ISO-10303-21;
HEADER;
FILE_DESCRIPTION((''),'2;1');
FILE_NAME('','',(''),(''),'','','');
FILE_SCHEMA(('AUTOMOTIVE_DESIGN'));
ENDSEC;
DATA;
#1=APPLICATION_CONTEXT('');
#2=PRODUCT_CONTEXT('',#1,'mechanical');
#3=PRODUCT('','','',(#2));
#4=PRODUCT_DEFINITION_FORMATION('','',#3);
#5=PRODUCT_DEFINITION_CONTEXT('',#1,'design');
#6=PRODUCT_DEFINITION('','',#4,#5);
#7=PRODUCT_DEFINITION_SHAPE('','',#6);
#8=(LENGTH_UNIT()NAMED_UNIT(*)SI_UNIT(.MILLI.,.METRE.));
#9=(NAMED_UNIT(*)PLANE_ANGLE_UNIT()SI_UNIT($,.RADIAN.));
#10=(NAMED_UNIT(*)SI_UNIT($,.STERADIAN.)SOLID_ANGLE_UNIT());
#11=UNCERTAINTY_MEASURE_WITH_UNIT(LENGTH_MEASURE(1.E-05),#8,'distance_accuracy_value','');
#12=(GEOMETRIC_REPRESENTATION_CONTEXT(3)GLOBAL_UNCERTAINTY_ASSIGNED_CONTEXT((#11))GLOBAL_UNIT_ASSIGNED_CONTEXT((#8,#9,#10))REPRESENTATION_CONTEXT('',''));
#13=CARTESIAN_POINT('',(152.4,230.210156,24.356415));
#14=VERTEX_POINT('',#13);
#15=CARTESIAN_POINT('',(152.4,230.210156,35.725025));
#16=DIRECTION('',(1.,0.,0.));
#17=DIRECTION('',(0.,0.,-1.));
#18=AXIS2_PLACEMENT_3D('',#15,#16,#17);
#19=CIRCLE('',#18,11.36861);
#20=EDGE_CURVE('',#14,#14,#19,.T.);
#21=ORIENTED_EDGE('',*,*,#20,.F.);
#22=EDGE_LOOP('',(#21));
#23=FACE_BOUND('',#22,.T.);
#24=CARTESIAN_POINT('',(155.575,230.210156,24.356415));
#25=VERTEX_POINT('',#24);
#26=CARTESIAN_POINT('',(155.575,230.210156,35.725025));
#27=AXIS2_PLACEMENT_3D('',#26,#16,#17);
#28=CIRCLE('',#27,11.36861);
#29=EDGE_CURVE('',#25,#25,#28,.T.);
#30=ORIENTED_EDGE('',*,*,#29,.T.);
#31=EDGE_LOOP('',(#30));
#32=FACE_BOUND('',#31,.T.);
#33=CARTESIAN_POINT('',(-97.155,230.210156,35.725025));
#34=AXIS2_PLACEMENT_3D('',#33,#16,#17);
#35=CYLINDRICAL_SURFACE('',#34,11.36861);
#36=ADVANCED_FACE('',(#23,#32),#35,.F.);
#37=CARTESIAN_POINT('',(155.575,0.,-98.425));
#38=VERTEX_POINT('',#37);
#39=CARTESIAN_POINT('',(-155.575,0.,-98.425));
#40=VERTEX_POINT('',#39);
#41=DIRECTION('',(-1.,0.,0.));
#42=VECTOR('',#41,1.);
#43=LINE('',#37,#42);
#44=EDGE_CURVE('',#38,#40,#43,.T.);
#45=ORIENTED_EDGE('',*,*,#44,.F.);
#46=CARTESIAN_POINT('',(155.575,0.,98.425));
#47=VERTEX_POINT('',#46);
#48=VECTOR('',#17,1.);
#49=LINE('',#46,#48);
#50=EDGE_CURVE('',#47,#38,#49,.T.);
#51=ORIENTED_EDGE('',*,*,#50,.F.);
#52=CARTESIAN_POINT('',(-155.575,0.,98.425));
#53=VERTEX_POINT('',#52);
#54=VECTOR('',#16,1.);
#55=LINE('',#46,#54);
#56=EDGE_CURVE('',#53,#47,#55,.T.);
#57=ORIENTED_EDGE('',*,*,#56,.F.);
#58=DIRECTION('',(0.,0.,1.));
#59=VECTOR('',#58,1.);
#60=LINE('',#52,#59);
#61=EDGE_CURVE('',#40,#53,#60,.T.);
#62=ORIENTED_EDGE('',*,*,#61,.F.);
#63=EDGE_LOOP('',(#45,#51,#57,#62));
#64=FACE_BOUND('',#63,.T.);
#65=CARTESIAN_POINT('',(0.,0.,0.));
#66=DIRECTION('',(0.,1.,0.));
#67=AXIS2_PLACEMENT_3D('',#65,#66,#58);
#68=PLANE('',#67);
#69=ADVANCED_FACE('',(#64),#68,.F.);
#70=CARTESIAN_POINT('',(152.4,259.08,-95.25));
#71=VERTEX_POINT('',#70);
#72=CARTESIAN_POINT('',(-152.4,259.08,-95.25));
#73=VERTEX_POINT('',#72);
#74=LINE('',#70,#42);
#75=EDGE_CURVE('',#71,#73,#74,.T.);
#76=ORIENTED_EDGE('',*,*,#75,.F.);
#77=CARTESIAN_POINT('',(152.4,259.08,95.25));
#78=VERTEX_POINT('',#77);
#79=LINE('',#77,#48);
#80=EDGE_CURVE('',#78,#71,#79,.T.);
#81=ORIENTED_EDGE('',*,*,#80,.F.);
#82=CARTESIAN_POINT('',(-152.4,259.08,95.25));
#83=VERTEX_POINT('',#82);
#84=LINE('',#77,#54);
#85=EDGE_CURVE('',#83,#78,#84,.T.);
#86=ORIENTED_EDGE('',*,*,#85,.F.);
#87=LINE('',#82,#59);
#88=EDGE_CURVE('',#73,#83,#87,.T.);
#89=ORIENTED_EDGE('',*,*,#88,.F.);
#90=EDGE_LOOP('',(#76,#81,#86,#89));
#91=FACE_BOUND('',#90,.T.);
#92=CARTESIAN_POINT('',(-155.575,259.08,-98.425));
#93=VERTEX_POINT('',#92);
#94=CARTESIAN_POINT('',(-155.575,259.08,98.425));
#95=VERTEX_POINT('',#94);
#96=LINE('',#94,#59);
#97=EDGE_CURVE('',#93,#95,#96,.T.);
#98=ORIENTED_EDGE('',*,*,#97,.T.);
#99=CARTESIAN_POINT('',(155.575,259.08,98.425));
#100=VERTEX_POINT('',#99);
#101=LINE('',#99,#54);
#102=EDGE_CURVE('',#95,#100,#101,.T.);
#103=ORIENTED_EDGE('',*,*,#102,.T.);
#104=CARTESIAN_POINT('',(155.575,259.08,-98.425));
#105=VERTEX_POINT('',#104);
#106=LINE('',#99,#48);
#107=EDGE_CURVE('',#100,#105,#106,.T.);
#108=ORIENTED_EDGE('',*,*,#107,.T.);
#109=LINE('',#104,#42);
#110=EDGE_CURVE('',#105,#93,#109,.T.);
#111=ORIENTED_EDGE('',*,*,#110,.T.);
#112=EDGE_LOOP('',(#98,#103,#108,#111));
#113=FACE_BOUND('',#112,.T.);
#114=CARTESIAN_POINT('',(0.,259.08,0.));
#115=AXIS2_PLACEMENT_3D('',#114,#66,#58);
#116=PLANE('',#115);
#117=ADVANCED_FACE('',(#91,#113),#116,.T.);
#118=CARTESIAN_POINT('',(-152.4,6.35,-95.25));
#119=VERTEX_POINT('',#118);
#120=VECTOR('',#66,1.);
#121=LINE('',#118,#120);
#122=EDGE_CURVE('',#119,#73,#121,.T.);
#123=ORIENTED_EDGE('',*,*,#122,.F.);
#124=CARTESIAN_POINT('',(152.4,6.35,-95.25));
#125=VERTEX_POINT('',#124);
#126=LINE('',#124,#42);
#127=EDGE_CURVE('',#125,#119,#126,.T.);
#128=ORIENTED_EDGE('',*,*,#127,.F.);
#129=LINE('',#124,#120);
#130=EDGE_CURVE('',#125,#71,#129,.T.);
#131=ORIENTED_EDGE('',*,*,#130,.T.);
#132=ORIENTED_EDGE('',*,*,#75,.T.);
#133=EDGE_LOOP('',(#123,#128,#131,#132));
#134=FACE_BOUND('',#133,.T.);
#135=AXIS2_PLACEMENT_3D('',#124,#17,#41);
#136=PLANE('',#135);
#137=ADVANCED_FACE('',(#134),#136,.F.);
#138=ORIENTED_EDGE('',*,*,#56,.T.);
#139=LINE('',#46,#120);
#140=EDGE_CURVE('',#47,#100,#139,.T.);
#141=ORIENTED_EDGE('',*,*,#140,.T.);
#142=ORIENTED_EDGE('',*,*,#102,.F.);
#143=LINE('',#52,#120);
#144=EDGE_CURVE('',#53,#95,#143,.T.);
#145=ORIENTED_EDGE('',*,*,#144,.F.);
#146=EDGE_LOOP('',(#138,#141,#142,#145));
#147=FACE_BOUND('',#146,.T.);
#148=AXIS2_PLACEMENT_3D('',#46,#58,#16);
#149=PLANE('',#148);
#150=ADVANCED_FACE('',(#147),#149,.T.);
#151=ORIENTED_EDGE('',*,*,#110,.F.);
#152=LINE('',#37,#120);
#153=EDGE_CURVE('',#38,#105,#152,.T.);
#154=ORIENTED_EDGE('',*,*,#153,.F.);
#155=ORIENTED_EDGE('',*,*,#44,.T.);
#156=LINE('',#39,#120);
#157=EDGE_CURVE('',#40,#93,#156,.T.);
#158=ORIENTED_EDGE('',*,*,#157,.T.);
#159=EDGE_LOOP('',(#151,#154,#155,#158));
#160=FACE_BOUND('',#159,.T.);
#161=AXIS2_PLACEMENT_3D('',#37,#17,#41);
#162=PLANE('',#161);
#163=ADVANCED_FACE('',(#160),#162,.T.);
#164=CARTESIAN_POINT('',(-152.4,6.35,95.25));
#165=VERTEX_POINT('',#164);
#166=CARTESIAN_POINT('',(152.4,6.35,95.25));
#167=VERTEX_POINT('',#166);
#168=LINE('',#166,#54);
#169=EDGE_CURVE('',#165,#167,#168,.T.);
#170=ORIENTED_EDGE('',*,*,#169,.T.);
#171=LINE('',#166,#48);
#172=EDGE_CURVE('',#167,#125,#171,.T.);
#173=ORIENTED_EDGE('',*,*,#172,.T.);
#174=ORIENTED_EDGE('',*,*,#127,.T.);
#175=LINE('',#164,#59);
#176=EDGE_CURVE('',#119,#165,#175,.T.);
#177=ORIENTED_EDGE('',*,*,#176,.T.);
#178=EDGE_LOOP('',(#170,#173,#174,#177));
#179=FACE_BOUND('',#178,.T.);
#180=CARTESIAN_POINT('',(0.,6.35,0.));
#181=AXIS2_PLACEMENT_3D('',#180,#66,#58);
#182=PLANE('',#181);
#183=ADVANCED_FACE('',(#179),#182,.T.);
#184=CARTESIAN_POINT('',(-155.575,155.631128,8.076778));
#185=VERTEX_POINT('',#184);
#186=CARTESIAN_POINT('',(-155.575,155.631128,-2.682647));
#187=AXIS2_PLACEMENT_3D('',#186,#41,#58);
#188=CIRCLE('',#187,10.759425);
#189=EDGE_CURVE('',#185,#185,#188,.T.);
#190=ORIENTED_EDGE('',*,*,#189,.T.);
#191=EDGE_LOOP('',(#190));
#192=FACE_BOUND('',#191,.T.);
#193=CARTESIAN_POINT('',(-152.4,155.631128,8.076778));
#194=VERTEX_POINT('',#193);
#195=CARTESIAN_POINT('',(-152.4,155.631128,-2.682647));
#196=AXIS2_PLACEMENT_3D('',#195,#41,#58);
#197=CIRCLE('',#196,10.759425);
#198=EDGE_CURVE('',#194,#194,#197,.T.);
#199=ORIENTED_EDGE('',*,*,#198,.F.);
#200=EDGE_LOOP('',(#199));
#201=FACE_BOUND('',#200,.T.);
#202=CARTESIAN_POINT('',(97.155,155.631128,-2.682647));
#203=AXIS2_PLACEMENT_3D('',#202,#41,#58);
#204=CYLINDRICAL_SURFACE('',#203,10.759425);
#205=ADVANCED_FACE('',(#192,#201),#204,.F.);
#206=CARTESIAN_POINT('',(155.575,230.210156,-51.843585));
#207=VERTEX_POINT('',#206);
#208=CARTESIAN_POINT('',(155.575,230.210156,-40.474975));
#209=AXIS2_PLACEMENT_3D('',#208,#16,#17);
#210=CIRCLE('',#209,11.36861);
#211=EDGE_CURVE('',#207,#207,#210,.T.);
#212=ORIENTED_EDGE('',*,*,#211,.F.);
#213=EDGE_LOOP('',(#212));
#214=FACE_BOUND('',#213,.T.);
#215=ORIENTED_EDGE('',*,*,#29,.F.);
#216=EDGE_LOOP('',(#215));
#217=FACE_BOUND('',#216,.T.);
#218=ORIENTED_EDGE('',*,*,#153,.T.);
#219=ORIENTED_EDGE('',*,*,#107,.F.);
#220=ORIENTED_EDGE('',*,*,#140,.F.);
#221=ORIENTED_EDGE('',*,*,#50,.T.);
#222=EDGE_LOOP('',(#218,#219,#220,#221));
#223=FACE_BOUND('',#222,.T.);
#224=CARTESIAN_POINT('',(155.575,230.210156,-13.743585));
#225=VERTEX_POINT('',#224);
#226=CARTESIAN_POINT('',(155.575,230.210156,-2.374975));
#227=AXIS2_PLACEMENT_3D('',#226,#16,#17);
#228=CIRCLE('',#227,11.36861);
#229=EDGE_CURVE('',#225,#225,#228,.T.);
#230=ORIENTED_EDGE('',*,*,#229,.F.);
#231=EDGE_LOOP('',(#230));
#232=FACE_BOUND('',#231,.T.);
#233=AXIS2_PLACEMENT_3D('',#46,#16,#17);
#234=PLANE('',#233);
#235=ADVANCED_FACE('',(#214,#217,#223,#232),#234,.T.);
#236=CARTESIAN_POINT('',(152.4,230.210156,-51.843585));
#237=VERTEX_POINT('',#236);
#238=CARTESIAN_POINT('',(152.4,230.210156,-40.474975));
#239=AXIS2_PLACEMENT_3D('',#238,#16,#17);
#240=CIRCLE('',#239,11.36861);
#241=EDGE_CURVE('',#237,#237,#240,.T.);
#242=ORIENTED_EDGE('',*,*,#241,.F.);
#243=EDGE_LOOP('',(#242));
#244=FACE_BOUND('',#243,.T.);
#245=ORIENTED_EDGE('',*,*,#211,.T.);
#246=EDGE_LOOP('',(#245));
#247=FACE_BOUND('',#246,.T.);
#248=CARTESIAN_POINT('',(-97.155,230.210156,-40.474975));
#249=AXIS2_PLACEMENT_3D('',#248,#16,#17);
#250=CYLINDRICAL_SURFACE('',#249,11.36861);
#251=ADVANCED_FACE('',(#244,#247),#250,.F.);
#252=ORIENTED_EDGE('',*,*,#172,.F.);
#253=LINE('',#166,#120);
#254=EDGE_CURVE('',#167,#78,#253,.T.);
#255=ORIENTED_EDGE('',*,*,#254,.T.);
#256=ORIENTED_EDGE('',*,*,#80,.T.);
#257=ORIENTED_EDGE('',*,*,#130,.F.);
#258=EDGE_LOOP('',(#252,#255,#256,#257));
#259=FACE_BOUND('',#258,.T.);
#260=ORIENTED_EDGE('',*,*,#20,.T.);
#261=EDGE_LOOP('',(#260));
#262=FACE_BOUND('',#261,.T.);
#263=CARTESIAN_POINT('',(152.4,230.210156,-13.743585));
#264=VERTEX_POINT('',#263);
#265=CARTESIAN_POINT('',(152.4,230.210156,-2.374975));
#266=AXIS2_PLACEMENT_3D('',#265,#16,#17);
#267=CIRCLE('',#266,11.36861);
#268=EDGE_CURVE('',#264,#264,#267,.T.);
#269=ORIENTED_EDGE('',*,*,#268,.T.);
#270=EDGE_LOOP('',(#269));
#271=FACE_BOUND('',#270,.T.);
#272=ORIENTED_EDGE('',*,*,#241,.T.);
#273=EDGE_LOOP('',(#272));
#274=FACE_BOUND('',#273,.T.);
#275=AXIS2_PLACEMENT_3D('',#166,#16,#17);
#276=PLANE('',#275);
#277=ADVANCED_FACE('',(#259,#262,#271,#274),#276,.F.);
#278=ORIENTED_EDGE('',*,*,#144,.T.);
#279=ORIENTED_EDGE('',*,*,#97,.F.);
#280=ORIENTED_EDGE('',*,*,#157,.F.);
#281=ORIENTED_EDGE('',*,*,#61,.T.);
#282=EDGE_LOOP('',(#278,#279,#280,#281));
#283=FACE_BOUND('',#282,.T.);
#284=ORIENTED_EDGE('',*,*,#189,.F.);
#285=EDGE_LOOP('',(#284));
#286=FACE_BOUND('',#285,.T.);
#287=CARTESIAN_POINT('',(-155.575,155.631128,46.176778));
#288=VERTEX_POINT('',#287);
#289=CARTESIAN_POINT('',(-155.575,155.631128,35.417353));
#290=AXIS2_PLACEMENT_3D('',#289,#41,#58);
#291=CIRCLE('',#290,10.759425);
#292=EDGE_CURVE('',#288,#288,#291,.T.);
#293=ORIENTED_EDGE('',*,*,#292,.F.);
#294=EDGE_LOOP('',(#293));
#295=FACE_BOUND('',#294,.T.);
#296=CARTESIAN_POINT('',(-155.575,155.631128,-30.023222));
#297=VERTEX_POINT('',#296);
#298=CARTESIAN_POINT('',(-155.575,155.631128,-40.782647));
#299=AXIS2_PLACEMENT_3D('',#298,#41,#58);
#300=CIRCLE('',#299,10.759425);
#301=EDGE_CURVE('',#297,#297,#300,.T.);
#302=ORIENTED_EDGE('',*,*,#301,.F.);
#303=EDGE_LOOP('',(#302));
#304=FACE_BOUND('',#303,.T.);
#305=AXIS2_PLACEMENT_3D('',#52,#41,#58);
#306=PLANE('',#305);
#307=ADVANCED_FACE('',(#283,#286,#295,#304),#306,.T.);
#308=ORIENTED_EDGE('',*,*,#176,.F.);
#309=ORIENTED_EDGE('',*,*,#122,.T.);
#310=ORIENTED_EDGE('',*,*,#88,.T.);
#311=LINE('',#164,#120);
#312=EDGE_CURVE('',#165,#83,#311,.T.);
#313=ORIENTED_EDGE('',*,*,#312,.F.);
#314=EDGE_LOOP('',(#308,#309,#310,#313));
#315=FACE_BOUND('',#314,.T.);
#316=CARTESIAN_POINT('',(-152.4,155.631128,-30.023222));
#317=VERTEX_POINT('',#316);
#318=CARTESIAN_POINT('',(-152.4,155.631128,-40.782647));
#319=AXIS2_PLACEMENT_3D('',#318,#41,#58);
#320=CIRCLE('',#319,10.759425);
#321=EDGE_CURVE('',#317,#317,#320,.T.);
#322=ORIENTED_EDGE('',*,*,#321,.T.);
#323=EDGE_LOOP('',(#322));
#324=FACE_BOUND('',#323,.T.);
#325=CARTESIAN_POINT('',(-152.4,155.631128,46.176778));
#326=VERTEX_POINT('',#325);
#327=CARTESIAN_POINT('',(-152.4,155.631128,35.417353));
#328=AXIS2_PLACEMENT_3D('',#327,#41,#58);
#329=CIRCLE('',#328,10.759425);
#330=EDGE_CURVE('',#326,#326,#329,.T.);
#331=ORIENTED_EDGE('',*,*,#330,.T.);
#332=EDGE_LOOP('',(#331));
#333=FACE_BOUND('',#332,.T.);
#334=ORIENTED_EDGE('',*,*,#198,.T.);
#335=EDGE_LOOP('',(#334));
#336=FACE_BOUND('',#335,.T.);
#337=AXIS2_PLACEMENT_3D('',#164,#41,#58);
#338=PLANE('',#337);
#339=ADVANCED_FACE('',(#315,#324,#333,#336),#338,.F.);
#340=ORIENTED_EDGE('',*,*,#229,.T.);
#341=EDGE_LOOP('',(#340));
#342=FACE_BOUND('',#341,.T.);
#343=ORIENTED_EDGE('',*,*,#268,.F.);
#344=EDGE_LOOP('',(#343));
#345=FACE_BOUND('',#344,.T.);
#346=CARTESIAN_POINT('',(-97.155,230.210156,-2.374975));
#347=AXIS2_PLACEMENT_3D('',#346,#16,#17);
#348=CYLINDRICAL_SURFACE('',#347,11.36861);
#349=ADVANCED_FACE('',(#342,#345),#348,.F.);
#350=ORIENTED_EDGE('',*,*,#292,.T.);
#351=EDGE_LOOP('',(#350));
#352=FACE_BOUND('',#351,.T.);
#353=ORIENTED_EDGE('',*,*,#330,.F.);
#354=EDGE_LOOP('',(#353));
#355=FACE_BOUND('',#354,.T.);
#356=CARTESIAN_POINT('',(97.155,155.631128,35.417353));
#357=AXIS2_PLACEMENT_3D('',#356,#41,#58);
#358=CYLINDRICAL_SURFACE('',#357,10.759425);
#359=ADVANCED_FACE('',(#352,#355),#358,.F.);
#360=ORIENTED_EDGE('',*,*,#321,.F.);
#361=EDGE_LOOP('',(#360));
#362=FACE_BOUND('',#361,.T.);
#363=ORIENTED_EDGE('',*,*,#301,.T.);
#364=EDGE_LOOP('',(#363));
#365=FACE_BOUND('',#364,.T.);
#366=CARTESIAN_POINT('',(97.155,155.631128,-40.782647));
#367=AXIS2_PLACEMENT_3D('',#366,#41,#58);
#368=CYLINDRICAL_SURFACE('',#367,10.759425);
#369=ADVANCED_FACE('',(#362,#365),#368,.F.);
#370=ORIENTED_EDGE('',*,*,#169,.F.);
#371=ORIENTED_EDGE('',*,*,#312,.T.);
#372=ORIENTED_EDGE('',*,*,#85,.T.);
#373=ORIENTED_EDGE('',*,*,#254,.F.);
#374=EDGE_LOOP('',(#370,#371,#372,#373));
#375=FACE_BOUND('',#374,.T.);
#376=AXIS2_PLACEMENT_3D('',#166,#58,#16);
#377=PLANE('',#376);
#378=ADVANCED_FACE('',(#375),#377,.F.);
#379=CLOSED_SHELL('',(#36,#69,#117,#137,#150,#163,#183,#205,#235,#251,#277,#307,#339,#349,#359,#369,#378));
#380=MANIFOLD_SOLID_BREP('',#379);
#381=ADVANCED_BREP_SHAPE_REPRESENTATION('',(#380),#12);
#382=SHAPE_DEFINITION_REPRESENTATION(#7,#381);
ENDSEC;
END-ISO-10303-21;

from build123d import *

# Parameters (mm, degrees)
SKETCH1_W                = 152.4
SKETCH1_H                = 190.5
BOSS_EXTRUDE1_DEPTH      = 5.08
BOSS_EXTRUDE2_DEPTH      = 254
BOSS_EXTRUDE2_DEPTH_BACK = 5.08
SKETCH2_W                = 311.15
SKETCH2_H                = 196.85
SKETCH3_W                = 304.8
SKETCH3_H                = 190.5
CUT_EXTRUDE1_DEPTH       = 252.73
SKETCH4_R                = 10.75942509
CUT_EXTRUDE2_DEPTH       = 252.73
SKETCH5_R                = 11.36861001
CUT_EXTRUDE3_DEPTH       = 252.73


with BuildPart() as part:
    # Sketch1 → Boss-Extrude1 (new body)
    with BuildSketch(Plane(origin=(0, 0, 0), x_dir=(1, 0, 0), z_dir=(0, 1, 0))):
        with Locations((-76.2, 0)):
            Rectangle(SKETCH1_W, SKETCH1_H)
    extrude(amount=BOSS_EXTRUDE1_DEPTH)

    # Sketch2 → Boss-Extrude2 (add, two sides: drawn at the far end of the back side and taken through both)
    with BuildSketch(Plane(origin=(0, 5.08, 0), x_dir=(1, 0, 0), z_dir=(0, 1, 0)).offset(-BOSS_EXTRUDE2_DEPTH_BACK)):
        Rectangle(SKETCH2_W, SKETCH2_H)
    extrude(amount=BOSS_EXTRUDE2_DEPTH + BOSS_EXTRUDE2_DEPTH_BACK)

    # Sketch3 → Cut-Extrude1 (cut)
    with BuildSketch(Plane(origin=(0, 259.08, 0), x_dir=(1, 0, 0), z_dir=(0, 1, 0))):
        Rectangle(SKETCH3_W, SKETCH3_H)
    extrude(amount=-CUT_EXTRUDE1_DEPTH, mode=Mode.SUBTRACT)

    # Sketch4 → Cut-Extrude2 (cut)
    with BuildSketch(Plane.ZY.offset(155.575)):
        with Locations((-40.782647245, 155.631127926)):
            Circle(SKETCH4_R)
        with Locations((-2.682647245, 155.631127926)):
            Circle(SKETCH4_R)
        with Locations((35.417352755, 155.631127926)):
            Circle(SKETCH4_R)
    extrude(amount=-CUT_EXTRUDE2_DEPTH, mode=Mode.SUBTRACT)

    # Sketch5 → Cut-Extrude3 (cut)
    with BuildSketch(Plane(origin=(155.575, 0, 0), x_dir=(0, 0, -1), z_dir=(1, 0, 0))):
        with Locations((-35.725024922, 230.210156067)):
            Circle(SKETCH5_R)
        with Locations((2.374975078, 230.210156067)):
            Circle(SKETCH5_R)
        with Locations((40.474975078, 230.210156067)):
            Circle(SKETCH5_R)
    extrude(amount=-CUT_EXTRUDE3_DEPTH, mode=Mode.SUBTRACT)


solid = part.part
